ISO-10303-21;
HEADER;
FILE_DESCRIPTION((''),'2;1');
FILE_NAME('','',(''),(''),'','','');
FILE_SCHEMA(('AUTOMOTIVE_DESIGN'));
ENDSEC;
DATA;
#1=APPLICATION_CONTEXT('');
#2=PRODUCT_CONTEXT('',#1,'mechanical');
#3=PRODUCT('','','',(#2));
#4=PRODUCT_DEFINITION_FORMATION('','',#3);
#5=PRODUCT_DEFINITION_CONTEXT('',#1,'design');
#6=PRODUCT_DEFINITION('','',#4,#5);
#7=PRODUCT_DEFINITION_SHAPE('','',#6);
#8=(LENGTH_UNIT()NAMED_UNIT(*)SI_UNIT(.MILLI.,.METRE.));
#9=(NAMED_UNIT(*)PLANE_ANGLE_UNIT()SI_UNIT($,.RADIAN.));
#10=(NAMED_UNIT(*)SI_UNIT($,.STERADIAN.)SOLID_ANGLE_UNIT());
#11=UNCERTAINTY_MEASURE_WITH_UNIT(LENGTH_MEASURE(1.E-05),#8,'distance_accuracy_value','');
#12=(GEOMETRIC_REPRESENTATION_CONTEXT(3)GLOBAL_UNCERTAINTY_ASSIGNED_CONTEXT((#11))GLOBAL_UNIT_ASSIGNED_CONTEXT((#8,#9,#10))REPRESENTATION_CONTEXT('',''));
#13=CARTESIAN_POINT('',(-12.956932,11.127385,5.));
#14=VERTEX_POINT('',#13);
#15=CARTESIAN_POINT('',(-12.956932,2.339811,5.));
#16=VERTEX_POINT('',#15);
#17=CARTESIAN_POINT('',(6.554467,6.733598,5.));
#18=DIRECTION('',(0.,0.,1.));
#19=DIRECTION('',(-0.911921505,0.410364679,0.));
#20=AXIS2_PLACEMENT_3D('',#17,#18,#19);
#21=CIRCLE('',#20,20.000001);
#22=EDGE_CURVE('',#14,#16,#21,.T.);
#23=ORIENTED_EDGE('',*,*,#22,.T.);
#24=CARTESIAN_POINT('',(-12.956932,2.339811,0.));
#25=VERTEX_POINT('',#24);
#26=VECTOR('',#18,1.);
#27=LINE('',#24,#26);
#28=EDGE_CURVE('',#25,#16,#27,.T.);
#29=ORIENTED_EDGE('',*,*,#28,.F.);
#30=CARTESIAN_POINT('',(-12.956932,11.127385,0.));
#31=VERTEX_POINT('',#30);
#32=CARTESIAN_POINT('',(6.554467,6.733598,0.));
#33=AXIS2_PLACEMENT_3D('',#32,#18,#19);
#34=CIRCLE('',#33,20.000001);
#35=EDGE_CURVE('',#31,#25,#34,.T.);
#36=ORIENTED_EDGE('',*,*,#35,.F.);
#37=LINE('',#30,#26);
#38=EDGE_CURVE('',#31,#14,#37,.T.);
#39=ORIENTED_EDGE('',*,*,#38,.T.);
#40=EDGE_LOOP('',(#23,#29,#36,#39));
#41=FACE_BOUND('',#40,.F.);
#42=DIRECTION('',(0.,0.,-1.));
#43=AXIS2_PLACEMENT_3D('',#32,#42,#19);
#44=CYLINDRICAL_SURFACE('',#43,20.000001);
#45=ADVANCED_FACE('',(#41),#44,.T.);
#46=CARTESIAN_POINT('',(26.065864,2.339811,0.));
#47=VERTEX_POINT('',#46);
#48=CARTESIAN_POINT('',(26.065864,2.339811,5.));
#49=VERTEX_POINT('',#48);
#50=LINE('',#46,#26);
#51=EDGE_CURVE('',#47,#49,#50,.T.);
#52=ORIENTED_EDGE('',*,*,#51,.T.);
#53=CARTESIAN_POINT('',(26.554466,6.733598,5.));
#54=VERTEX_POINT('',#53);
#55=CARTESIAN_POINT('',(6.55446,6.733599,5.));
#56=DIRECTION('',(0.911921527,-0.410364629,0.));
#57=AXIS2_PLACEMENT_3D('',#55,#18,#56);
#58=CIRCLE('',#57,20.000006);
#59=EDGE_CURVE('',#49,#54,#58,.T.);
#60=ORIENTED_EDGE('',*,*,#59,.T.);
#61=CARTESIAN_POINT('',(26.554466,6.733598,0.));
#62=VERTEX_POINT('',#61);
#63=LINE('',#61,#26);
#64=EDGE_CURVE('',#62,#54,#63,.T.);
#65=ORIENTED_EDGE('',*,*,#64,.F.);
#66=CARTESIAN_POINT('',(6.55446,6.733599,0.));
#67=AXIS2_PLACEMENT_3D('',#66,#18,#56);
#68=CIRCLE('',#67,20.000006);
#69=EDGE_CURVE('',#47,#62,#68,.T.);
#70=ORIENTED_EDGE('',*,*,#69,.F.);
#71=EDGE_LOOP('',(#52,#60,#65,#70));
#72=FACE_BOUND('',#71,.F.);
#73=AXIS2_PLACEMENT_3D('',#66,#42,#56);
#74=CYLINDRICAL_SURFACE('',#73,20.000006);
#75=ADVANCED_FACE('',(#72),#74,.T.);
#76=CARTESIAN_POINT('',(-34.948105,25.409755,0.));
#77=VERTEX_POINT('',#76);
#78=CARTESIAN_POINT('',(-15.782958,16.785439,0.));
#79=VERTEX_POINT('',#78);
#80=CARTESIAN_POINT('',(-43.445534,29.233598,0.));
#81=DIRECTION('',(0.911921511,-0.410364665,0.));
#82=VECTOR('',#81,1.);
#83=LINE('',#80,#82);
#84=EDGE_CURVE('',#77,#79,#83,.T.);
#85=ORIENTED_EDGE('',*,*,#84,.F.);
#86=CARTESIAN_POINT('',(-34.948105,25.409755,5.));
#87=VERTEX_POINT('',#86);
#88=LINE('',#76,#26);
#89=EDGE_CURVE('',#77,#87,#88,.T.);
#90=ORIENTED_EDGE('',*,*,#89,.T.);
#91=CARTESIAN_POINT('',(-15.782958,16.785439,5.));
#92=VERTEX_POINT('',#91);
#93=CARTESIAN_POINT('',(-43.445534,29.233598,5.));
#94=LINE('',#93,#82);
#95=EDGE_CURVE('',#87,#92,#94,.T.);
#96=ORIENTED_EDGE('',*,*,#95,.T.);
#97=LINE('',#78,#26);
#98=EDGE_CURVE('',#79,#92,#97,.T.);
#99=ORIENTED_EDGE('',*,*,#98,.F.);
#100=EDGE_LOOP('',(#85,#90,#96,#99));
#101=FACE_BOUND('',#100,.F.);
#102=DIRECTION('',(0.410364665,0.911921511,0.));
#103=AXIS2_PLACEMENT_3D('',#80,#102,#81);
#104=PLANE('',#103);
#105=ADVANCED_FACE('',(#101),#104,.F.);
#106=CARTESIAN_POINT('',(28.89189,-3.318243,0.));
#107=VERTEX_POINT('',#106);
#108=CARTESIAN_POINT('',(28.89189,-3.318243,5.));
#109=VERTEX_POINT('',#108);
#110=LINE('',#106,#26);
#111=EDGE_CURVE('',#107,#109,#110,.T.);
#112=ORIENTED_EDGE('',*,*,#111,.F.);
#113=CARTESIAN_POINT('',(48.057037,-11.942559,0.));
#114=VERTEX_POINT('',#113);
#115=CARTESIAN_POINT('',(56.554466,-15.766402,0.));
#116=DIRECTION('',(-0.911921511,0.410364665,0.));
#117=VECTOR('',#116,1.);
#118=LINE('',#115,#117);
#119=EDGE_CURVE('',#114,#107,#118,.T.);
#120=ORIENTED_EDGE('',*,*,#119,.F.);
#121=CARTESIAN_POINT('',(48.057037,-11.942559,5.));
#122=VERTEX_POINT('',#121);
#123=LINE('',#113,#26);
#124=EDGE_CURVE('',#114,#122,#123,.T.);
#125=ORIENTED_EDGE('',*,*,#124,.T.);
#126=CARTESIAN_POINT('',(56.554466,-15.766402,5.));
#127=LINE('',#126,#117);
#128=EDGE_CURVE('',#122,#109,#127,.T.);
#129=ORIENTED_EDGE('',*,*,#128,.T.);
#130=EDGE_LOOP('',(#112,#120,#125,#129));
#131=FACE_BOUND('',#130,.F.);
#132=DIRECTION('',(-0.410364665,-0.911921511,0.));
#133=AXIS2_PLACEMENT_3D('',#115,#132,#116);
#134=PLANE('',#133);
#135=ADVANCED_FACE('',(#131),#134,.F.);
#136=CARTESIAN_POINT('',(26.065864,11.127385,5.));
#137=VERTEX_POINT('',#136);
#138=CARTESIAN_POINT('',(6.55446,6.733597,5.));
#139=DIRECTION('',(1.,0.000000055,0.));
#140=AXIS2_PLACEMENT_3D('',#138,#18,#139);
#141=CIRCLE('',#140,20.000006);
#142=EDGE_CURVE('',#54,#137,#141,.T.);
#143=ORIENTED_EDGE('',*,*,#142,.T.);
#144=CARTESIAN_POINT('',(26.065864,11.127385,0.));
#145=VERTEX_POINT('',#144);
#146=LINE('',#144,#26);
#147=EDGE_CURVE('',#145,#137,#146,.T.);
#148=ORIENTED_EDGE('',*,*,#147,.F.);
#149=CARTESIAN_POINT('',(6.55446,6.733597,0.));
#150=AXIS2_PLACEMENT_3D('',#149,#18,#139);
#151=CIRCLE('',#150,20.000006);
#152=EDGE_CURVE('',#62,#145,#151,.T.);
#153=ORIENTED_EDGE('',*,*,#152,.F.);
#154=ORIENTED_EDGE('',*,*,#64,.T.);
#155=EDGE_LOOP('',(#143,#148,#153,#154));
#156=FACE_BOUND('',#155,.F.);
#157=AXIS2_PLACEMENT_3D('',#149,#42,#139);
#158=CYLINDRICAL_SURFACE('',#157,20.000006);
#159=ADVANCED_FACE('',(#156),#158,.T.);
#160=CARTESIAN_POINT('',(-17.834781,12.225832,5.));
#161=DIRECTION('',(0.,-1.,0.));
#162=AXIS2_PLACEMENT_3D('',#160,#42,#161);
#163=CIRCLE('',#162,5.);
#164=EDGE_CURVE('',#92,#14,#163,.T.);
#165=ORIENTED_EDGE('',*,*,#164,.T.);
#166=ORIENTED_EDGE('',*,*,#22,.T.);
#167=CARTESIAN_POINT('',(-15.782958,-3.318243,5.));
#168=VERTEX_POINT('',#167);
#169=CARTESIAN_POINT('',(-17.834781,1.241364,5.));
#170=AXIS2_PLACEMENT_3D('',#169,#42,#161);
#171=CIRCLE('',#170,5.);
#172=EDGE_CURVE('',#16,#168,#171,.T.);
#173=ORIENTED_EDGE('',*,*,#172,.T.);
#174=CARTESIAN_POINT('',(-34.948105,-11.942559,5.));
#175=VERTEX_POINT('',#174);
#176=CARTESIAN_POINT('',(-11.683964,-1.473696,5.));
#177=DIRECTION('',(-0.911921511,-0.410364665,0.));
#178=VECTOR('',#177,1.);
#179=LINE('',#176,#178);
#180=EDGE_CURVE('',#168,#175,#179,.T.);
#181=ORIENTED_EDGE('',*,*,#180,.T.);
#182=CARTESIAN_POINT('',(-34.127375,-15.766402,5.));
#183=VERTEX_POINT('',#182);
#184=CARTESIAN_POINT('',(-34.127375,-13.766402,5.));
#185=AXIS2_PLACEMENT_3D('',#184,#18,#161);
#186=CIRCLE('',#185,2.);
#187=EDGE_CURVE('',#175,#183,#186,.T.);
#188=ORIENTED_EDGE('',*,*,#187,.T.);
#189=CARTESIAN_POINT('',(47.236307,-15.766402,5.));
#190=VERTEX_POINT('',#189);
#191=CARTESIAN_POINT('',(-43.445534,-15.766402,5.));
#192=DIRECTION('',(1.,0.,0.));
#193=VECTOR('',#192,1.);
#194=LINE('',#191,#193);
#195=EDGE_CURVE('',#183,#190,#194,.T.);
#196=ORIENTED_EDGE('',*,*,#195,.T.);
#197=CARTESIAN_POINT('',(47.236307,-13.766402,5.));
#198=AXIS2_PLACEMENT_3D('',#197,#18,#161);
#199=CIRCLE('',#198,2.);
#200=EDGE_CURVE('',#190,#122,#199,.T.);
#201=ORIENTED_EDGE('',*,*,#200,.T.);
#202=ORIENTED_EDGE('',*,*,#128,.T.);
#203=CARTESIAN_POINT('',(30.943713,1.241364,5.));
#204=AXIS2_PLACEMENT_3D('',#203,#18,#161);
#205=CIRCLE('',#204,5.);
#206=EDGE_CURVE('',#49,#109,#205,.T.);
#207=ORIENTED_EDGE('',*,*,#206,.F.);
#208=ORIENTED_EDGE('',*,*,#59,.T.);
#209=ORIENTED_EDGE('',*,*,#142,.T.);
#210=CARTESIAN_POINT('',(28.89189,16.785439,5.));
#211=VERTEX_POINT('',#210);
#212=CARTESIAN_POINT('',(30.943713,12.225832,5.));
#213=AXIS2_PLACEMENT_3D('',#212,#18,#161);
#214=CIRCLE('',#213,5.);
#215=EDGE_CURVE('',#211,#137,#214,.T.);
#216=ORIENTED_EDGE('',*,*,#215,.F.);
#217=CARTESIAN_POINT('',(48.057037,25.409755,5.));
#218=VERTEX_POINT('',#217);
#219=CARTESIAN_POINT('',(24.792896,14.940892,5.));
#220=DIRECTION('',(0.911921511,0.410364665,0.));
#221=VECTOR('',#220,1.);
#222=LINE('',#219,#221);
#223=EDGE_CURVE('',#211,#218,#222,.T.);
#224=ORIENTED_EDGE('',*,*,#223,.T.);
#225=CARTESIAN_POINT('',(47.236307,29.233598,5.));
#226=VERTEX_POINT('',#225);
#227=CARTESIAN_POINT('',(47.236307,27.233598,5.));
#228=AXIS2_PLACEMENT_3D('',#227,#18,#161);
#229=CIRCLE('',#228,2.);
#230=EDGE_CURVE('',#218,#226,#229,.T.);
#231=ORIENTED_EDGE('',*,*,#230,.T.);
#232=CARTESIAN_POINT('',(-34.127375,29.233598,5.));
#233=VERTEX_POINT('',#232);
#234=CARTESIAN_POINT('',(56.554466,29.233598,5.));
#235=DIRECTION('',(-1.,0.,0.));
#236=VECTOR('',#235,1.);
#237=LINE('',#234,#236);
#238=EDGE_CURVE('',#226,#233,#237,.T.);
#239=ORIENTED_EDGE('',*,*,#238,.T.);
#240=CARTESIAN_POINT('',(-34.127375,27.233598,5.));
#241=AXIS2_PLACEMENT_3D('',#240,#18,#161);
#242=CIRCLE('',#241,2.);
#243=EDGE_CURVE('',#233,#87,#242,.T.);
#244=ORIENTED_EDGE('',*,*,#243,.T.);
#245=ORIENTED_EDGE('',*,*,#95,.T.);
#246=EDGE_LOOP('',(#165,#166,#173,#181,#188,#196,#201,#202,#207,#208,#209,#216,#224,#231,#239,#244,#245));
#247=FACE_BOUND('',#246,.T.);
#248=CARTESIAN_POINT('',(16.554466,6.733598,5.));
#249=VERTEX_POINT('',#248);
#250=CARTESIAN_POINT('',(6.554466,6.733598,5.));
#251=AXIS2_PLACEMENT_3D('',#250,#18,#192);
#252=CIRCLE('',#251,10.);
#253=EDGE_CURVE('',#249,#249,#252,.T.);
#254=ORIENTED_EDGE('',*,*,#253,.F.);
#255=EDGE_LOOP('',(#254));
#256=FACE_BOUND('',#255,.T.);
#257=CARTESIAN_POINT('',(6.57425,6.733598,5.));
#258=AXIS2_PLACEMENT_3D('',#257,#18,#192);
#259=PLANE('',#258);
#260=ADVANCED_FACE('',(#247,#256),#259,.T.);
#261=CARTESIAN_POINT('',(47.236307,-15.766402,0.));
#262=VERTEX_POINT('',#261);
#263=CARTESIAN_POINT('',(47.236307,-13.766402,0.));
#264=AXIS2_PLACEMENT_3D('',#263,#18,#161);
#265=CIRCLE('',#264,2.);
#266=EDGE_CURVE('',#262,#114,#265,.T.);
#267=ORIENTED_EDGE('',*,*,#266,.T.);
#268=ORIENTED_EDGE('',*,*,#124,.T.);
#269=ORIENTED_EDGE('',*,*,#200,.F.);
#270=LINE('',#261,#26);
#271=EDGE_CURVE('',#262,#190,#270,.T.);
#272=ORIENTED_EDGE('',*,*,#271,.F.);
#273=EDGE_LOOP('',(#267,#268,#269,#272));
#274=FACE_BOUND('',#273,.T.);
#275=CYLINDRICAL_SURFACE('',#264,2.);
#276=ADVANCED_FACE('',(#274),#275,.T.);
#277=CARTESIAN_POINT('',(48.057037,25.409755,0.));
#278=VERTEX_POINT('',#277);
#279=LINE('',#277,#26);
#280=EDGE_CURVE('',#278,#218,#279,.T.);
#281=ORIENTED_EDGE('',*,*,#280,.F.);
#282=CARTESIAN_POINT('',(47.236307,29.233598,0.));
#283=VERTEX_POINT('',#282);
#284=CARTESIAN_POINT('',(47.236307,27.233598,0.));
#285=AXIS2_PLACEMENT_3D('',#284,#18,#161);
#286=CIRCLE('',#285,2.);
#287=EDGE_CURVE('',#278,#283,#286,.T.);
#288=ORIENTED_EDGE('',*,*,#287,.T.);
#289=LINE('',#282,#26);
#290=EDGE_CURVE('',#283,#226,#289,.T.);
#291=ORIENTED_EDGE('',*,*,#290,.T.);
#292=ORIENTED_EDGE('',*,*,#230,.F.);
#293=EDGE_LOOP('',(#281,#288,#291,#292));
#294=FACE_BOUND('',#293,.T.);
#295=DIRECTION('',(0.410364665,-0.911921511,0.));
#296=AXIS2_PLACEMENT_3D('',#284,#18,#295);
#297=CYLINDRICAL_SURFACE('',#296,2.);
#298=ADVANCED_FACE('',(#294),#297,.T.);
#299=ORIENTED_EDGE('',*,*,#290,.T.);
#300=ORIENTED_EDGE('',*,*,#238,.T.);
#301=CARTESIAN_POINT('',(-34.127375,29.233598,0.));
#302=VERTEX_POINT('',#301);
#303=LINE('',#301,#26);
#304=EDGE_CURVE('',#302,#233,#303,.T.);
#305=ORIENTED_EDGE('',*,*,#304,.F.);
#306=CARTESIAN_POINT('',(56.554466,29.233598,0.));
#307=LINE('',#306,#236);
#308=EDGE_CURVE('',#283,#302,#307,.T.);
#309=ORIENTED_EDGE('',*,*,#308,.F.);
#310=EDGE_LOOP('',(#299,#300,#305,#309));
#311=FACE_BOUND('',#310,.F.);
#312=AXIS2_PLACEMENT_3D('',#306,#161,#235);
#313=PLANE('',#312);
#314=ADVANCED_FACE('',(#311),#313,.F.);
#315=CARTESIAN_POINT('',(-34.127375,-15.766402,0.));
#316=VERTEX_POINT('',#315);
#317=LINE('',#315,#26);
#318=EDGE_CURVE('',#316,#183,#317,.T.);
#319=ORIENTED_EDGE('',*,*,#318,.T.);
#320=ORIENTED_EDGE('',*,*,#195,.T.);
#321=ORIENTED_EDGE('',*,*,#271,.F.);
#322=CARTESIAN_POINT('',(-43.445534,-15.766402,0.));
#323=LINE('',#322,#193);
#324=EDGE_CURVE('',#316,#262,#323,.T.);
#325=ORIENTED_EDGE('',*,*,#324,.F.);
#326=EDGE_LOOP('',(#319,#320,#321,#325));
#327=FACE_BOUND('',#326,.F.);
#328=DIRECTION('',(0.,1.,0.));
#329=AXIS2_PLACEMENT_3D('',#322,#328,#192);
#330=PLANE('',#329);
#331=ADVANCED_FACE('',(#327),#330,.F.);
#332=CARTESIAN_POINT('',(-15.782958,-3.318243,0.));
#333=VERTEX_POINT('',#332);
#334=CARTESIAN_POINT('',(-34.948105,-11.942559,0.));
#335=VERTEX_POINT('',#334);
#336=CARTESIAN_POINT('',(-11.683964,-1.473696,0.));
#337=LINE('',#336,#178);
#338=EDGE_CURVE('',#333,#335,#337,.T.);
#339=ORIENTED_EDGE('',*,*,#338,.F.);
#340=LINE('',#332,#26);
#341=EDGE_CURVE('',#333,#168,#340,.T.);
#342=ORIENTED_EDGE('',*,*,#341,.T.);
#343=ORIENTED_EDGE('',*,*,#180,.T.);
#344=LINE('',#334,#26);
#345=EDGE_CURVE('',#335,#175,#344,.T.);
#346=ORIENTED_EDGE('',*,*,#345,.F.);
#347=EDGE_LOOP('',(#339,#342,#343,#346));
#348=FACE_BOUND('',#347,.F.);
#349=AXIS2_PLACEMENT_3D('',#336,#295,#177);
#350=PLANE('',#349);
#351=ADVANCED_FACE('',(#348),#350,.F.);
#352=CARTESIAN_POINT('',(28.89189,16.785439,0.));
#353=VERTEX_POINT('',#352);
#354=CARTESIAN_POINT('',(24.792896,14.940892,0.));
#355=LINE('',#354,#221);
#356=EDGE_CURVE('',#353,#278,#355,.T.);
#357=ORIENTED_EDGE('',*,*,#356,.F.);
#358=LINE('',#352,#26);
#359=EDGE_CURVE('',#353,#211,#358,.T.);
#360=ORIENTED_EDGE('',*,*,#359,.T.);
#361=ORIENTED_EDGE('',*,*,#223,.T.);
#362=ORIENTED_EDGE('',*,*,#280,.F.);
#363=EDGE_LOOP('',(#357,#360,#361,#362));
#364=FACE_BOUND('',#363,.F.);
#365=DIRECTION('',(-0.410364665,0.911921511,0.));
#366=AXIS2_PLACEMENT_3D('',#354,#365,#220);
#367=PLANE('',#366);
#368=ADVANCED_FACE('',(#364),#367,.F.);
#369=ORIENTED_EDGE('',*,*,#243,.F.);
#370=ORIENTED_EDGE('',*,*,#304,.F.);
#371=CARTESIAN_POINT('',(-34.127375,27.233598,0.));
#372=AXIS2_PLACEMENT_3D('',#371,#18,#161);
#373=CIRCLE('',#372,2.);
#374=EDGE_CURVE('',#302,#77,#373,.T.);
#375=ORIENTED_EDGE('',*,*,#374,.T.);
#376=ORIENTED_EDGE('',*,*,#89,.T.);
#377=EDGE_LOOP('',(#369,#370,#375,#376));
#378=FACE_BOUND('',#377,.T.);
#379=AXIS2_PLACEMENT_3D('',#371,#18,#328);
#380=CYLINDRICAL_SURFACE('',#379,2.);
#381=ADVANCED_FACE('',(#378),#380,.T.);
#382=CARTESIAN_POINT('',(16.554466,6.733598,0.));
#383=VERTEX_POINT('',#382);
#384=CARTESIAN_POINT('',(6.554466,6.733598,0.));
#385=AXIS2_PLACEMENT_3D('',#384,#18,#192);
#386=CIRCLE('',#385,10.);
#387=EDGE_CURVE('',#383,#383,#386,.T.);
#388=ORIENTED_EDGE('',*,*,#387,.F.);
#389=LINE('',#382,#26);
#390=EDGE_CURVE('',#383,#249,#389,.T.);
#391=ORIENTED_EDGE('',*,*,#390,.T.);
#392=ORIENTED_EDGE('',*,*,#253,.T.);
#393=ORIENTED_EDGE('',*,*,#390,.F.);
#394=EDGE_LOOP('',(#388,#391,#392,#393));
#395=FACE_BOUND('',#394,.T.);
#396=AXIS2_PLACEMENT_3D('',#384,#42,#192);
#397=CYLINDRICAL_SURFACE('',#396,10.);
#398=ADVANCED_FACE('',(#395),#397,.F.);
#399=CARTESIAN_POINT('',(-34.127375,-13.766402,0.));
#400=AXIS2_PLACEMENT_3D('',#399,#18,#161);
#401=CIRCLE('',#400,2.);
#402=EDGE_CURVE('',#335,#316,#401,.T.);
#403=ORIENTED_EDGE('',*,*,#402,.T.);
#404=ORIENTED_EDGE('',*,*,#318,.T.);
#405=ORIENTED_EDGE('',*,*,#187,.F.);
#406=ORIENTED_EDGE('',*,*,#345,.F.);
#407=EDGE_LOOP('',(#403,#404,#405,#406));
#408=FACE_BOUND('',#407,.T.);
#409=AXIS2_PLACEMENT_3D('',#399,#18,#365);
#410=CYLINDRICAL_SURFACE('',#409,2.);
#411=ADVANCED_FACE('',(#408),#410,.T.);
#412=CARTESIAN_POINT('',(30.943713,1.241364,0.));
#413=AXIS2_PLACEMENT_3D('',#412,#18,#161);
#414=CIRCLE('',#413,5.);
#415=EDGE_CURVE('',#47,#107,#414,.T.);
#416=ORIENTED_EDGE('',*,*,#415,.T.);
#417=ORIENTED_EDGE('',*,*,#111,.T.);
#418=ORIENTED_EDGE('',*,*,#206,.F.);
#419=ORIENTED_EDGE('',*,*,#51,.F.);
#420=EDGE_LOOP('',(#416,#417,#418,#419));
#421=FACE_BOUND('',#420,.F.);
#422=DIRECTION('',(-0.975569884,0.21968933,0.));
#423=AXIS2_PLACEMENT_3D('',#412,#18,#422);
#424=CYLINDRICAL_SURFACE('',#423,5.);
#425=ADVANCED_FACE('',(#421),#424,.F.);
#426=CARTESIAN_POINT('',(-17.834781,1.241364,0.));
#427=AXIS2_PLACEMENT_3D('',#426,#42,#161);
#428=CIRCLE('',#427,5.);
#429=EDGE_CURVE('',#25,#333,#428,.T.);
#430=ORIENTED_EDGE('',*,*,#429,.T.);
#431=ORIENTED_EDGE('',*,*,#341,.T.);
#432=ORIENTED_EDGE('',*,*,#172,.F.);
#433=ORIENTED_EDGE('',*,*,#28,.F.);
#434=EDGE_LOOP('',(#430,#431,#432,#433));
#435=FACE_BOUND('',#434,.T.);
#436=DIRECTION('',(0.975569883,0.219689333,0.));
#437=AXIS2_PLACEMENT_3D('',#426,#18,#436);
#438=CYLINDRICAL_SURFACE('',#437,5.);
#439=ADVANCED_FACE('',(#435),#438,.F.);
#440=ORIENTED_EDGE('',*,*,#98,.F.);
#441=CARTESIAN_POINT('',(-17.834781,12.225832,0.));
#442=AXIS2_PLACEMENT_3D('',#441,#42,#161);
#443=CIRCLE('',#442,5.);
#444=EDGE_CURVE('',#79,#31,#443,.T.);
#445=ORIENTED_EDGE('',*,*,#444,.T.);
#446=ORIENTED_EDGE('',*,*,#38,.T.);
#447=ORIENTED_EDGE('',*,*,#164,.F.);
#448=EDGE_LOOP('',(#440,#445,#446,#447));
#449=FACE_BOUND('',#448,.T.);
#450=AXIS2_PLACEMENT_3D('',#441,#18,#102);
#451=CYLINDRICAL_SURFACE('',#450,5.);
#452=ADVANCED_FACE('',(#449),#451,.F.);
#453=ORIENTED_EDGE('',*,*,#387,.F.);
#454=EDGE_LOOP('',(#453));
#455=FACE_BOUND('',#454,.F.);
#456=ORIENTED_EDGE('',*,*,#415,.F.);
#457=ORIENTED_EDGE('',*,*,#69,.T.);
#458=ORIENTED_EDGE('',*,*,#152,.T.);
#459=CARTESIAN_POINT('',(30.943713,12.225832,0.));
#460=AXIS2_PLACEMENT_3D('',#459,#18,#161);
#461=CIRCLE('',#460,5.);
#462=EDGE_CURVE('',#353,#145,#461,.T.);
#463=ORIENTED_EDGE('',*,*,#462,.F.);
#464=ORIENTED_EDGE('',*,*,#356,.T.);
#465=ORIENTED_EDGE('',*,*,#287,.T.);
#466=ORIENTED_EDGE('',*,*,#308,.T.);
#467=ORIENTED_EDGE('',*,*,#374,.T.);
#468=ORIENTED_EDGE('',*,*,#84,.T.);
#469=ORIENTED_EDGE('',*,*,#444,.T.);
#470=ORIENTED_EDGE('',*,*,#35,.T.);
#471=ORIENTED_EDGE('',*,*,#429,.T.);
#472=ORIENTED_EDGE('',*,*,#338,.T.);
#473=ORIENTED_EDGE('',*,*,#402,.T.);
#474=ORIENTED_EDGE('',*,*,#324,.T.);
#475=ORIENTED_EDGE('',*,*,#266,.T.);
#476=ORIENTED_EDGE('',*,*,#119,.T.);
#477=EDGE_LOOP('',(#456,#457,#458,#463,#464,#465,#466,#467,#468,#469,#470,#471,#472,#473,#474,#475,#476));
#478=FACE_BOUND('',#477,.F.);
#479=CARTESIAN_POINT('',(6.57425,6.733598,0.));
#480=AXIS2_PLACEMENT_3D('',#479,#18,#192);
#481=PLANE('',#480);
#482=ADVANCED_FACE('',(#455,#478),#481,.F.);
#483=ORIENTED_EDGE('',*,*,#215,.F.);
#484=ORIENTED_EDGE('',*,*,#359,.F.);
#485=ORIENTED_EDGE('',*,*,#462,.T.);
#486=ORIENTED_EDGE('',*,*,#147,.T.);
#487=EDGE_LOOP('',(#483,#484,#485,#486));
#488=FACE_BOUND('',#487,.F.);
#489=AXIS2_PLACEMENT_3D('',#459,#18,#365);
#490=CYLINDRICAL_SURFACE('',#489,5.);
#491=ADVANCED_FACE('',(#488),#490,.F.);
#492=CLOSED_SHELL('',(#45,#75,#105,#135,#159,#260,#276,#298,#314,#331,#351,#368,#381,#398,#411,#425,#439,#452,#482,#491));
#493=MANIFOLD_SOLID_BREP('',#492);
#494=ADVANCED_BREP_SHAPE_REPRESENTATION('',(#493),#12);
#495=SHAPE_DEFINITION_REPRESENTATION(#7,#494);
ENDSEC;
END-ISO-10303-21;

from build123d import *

# Parameters (mm, degrees)
F0_R     = 10
F1_DEPTH = 5
F2_R     = 2
F3_R     = 5


with BuildPart() as f1:
    # F0 (on Top) → F1 (new body)
    with BuildSketch(Plane.XY):
        with BuildLine():
            ThreePointArc((24.792896, 14.940892), (6.554466, 26.733598), (-11.683964, 14.940892))
            ThreePointArc((-11.683964, 14.940892), (-13.445534, 6.733598), (-11.683964, -1.473696))
            ThreePointArc((-11.683964, -1.473696), (6.554466, -13.266402), (24.792896, -1.473696))
            ThreePointArc((24.792896, -1.473696), (26.109115, 2.536492), (26.554466, 6.733598))
            ThreePointArc((26.554466, 6.733598), (26.109115, 10.930704), (24.792896, 14.940892))
        make_face()
        with Locations((6.554466, 6.733598)):
            Circle(F0_R, mode=Mode.SUBTRACT)
        with BuildLine():
            Line((56.554466, 29.233598), (-43.445534, 29.233598))
            Line((-43.445534, 29.233598), (-11.683964, 14.940892))
            ThreePointArc((-11.683964, 14.940892), (6.554466, 26.733598), (24.792896, 14.940892))
            Line((24.792896, 14.940892), (56.554466, 29.233598))
        make_face()
        with BuildLine():
            ThreePointArc((24.792896, -1.473696), (6.554466, -13.266402), (-11.683964, -1.473696))
            Line((-11.683964, -1.473696), (-43.445534, -15.766402))
            Line((-43.445534, -15.766402), (56.554466, -15.766402))
            Line((56.554466, -15.766402), (24.792896, -1.473696))
        make_face()
    extrude(amount=F1_DEPTH)

    # F2
    f2_edges = [f1.edges().sort_by_distance(p)[0] for p in [
        (-43.445534, 29.233598, 2.5),
        (-43.445534, -15.766402, 2.5),
        (56.554466, -15.766402, 2.5),
        (56.554466, 29.233598, 2.5),
    ]]
    fillet(f2_edges, radius=F2_R)

    # F3
    f3_edges = [f1.edges().sort_by_distance(p)[0] for p in [
        (24.792896, 14.940892, 2.5),
        (24.792896, -1.473696, 2.5),
        (-11.683964, -1.473696, 2.5),
        (-11.683964, 14.940892, 2.5),
    ]]
    fillet(f3_edges, radius=F3_R)


solid = f1.part
